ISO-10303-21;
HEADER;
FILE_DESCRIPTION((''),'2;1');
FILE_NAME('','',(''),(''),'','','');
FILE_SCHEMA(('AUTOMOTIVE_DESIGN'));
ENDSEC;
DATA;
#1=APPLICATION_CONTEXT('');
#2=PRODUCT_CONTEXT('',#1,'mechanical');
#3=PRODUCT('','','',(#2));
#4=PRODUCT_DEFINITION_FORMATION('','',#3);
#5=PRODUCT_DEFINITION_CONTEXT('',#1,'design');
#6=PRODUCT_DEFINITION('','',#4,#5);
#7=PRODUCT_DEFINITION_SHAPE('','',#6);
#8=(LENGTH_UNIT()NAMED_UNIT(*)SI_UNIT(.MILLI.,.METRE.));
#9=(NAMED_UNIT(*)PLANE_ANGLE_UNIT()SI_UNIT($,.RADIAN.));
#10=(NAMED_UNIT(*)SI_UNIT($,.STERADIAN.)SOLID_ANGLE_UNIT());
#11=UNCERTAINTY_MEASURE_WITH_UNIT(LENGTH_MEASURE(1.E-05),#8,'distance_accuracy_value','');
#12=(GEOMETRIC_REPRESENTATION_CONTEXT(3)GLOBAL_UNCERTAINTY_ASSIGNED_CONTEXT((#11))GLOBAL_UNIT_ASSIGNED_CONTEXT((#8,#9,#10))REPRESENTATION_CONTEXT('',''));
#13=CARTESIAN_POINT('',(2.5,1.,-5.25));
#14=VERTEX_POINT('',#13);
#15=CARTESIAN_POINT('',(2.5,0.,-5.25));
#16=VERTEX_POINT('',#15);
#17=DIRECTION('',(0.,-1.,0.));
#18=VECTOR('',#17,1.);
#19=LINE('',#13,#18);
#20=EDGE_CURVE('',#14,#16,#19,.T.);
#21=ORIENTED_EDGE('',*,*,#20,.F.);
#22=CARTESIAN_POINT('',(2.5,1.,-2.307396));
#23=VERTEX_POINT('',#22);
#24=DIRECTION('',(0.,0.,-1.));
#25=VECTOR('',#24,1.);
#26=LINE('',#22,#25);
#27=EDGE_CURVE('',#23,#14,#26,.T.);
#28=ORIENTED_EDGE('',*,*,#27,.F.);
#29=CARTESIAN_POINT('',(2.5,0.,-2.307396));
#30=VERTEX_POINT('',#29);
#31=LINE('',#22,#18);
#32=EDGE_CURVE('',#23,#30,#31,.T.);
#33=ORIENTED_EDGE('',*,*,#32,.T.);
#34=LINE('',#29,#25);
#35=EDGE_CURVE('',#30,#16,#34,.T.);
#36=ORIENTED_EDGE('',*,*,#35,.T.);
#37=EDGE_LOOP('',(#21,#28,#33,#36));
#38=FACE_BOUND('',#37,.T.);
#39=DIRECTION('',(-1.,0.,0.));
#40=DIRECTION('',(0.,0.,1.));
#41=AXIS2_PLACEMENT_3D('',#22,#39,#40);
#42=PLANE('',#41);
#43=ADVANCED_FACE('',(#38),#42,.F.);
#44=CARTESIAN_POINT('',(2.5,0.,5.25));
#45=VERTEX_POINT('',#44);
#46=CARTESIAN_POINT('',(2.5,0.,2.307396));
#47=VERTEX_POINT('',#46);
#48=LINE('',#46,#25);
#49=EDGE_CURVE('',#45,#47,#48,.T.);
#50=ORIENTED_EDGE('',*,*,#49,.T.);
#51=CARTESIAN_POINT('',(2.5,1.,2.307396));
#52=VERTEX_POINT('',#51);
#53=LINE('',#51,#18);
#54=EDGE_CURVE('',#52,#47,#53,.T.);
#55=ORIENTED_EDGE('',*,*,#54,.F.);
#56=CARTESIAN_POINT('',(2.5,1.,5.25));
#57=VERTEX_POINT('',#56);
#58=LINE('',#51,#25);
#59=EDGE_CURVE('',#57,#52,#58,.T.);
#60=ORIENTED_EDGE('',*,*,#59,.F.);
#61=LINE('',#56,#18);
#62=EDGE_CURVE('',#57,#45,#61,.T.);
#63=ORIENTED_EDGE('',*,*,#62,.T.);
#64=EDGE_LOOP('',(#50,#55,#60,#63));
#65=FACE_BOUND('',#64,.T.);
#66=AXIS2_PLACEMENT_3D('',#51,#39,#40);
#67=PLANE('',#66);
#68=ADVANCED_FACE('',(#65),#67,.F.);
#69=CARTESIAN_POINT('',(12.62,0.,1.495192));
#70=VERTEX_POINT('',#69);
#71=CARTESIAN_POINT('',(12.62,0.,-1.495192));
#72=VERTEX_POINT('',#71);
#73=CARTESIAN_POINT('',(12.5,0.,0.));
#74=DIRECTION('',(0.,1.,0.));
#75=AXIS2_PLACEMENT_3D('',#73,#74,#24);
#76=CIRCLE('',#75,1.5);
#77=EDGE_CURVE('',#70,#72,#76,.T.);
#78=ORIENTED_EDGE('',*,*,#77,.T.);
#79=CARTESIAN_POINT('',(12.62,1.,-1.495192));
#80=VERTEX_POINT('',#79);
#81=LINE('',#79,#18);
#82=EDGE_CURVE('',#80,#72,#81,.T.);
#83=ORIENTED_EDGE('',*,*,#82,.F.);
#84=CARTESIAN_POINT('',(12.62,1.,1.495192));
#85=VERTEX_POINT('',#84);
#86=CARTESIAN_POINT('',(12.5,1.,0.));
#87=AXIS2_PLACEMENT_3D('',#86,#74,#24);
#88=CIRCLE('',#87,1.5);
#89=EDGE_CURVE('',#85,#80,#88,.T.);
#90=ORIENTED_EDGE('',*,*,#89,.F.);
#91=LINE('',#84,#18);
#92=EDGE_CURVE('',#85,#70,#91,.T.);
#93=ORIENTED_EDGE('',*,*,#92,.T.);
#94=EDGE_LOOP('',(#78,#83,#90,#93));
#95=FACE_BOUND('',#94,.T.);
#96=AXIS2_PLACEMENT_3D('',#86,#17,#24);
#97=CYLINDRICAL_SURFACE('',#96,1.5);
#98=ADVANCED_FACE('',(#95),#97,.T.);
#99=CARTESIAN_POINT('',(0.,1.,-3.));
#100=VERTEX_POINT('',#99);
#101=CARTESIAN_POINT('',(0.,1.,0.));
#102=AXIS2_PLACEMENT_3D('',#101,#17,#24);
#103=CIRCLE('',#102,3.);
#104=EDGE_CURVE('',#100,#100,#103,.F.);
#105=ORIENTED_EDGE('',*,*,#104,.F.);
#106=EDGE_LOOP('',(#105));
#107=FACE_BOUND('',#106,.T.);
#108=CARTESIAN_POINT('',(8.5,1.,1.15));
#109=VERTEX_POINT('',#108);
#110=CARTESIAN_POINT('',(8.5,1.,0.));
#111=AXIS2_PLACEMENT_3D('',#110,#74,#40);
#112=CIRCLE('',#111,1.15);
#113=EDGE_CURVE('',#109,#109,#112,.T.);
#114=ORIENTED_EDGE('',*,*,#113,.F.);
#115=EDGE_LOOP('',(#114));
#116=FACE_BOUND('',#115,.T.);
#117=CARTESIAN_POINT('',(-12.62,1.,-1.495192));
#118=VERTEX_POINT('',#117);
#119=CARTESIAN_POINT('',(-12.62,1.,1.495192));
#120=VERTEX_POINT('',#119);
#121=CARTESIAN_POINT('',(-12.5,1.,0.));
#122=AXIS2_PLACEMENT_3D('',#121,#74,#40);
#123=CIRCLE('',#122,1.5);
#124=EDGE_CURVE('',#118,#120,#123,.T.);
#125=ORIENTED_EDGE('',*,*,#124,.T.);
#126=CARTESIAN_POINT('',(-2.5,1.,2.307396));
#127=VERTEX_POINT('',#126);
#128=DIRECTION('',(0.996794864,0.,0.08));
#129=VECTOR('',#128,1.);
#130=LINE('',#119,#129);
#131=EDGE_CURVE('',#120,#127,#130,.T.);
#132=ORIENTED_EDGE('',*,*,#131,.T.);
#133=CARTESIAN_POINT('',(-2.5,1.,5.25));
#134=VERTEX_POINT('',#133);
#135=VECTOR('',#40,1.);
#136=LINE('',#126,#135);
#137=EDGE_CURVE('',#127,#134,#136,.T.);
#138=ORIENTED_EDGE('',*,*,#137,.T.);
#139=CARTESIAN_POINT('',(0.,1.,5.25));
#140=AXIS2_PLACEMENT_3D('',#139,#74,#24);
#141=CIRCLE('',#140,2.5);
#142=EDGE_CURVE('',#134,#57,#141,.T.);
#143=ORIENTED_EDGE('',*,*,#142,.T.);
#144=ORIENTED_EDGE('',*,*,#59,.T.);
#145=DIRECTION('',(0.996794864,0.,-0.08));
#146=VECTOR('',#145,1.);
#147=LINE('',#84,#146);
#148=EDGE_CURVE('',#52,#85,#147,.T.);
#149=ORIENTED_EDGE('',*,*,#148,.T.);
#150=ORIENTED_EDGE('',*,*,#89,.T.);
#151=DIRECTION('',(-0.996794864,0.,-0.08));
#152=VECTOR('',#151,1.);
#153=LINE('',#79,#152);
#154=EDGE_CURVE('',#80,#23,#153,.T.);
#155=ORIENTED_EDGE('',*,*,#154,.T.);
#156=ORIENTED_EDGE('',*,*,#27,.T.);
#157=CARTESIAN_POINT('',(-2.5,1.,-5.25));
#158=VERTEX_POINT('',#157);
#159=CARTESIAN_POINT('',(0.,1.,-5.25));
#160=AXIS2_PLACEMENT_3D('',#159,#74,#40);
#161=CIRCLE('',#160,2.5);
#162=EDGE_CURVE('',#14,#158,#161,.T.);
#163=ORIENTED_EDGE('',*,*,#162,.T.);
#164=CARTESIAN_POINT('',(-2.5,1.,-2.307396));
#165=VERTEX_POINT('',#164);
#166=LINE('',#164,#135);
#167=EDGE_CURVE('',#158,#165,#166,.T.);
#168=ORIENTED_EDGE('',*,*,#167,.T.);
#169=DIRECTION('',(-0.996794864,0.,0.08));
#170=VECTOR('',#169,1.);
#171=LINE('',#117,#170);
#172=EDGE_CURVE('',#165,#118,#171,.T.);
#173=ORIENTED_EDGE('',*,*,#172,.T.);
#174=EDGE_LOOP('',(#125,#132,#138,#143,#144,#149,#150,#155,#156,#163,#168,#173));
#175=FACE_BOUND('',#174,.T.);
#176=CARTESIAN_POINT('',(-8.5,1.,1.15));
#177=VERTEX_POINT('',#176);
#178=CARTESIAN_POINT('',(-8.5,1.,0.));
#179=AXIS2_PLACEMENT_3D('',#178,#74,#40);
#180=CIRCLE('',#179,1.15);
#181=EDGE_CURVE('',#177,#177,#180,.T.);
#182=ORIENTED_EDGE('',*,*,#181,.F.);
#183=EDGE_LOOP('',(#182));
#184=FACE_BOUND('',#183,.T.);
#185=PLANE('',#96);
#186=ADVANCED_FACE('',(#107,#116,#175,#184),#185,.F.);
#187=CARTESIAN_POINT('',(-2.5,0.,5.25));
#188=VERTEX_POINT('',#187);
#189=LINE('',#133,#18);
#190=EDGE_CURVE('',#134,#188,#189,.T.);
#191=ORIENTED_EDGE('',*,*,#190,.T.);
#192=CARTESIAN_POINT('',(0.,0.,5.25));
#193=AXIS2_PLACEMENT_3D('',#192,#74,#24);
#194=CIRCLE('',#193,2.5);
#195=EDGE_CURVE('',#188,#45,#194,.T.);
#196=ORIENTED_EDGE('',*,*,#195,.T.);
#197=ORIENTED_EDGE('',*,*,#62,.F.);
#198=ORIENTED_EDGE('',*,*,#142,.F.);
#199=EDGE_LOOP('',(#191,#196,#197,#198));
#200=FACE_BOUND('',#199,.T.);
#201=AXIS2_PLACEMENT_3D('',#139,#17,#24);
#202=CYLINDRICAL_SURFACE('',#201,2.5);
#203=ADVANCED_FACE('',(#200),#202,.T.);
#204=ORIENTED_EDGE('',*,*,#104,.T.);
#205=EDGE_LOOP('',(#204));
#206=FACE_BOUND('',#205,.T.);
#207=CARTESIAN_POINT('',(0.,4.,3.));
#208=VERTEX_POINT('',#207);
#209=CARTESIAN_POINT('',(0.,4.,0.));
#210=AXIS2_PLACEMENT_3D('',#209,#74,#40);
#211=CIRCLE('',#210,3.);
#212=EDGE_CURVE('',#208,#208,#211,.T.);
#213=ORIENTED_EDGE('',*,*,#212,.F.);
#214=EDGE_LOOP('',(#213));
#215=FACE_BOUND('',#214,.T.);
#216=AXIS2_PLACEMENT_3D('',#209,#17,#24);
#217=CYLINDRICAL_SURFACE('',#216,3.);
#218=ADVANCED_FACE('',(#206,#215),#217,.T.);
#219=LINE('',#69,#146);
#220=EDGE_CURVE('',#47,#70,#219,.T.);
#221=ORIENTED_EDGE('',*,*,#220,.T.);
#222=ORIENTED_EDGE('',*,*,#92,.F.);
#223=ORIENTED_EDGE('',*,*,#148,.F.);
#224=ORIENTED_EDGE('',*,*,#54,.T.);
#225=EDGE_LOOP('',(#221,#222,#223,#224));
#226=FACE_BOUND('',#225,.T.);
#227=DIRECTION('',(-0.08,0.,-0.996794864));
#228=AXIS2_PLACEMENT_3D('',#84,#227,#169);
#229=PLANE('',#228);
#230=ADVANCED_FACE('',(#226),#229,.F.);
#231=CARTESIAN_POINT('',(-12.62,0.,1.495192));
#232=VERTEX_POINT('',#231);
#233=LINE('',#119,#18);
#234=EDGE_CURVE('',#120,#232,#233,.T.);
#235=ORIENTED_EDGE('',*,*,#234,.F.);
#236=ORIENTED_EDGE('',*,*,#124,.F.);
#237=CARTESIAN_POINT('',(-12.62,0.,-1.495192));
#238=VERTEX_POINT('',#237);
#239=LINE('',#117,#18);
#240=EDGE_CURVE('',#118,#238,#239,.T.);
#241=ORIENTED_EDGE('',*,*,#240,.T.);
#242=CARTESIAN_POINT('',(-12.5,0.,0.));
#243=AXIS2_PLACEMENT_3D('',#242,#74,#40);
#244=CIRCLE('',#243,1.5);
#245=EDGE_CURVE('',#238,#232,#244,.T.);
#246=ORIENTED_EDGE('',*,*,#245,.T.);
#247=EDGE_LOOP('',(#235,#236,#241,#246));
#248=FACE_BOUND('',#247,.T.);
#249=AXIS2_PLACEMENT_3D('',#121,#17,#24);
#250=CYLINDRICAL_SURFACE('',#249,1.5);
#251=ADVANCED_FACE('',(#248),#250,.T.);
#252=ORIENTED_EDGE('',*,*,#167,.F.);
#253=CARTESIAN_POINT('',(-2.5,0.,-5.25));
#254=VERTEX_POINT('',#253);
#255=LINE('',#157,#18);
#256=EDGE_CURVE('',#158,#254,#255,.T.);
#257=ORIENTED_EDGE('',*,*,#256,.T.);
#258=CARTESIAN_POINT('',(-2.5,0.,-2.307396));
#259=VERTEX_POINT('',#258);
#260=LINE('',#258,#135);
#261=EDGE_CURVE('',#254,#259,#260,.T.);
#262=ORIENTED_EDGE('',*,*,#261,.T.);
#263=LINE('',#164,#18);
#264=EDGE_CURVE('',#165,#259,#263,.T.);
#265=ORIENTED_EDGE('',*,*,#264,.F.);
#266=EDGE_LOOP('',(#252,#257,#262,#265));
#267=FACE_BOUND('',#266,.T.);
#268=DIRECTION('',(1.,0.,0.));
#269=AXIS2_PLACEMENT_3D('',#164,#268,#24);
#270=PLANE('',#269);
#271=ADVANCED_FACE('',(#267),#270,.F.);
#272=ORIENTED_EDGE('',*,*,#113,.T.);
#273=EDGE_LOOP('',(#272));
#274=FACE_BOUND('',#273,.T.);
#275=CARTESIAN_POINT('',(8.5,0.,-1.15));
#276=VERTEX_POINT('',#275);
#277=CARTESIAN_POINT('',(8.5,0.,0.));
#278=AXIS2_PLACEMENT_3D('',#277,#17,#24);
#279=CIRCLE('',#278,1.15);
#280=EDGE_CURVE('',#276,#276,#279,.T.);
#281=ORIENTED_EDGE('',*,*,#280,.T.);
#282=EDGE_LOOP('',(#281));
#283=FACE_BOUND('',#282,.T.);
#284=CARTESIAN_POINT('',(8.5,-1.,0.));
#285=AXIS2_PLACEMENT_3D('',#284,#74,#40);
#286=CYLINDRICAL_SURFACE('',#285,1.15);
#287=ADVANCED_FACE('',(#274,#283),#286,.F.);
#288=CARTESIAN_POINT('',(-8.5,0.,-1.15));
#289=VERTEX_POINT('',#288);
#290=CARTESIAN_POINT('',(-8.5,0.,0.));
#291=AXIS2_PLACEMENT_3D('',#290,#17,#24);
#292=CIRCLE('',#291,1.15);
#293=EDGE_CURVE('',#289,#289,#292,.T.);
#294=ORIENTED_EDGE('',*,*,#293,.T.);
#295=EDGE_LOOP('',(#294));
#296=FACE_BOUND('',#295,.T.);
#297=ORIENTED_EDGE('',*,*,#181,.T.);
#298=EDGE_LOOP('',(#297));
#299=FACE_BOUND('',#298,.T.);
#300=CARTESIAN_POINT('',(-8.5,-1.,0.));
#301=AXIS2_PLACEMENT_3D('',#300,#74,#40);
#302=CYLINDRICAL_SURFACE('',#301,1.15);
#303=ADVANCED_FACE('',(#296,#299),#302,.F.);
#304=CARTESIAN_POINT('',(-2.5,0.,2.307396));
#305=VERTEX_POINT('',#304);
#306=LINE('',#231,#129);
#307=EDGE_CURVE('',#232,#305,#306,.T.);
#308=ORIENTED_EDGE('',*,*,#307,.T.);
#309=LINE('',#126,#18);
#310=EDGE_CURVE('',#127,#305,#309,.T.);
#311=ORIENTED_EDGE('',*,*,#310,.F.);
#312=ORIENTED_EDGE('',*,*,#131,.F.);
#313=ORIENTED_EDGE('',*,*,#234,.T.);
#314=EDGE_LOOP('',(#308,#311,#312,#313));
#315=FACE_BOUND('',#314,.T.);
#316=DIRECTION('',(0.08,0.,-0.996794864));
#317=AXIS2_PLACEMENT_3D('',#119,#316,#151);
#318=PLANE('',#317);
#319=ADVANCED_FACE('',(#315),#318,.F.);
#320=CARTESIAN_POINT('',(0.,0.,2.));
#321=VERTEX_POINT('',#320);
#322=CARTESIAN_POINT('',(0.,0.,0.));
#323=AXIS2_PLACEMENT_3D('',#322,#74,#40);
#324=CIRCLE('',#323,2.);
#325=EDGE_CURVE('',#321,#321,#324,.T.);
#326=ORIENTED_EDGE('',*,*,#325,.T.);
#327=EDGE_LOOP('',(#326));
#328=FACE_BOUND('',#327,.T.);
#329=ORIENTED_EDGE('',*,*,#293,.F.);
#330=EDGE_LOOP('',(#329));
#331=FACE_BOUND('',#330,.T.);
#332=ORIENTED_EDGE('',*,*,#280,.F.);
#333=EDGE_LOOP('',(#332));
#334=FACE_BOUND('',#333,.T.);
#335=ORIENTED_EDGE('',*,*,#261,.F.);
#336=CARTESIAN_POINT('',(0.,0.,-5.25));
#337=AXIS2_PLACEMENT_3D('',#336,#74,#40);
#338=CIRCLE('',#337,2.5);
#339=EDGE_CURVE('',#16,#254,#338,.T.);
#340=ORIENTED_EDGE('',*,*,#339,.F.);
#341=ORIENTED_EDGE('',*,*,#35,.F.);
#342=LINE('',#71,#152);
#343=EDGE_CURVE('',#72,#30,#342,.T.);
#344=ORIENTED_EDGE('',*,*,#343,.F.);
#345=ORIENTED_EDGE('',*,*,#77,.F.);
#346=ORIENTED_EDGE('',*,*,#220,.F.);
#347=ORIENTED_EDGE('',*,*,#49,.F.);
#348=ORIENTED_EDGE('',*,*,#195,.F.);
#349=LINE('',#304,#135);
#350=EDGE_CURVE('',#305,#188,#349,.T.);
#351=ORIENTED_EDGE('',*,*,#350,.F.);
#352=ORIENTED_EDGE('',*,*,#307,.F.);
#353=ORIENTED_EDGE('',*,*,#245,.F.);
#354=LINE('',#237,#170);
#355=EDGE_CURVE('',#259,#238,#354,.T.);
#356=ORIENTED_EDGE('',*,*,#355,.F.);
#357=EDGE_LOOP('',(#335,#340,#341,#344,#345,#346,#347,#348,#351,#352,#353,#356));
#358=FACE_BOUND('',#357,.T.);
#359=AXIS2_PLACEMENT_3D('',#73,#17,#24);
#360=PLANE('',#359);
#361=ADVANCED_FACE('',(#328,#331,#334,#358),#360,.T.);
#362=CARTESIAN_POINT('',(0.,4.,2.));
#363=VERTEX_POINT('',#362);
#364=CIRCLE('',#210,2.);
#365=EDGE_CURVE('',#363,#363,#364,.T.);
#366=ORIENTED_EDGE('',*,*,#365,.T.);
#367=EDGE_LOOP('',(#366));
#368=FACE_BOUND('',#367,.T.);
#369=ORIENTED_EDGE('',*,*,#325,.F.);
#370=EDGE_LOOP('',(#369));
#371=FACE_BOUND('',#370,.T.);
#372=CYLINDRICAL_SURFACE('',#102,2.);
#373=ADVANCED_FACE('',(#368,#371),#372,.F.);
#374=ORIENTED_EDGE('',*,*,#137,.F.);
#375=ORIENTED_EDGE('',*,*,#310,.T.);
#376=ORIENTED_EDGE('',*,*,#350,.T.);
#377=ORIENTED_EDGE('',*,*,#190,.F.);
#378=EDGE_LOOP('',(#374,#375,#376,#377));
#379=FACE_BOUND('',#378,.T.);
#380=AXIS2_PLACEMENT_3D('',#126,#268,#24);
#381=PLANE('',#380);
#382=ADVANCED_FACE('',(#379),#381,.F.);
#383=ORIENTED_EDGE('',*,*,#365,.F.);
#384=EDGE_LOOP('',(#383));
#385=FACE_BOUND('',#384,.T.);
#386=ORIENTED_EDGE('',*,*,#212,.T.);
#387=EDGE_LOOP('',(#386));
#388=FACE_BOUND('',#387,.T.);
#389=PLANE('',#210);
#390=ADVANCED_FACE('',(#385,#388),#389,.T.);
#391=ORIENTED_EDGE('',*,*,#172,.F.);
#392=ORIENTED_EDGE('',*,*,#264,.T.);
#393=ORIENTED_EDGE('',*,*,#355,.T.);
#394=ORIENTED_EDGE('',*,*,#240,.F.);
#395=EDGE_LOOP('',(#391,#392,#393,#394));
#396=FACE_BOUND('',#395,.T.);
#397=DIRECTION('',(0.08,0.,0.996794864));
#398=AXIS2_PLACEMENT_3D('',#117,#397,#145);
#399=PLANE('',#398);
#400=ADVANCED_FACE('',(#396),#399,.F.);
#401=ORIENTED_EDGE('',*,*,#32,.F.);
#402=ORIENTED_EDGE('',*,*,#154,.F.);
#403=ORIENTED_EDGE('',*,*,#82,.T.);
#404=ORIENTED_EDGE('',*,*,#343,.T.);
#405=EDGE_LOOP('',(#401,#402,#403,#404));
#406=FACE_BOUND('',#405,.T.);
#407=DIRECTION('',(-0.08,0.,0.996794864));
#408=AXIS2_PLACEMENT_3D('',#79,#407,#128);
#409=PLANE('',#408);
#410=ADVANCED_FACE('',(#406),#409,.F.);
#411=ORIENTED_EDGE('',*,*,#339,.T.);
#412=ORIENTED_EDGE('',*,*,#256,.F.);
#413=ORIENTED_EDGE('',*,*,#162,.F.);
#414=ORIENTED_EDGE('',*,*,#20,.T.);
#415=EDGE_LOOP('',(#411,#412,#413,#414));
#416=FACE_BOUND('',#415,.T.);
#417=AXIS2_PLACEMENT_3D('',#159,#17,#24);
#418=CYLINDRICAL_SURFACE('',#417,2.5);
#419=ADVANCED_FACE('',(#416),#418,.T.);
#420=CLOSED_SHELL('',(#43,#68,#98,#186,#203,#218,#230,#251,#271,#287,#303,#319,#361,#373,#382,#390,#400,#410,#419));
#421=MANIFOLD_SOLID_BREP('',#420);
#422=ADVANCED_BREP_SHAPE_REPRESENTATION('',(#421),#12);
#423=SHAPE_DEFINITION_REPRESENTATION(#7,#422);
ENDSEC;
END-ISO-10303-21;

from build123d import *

# Parameters (mm, degrees)
SKICA1_R                 = 2
P_IDAT_VYSUNUT_M1_DEPTH  = 1
SKICA2_R                 = 1.15
ODEBRAT_VYSUNUT_M1_DEPTH = 2
SKICA3_R                 = 3
SKICA3_R_2               = 2
P_IDAT_VYSUNUT_M2_DEPTH  = 3


with BuildPart() as part:
    # Skica1 → Přidat vysunutím1 (new body)
    with BuildSketch(Plane(origin=(0, 0, 0), x_dir=(1, 0, 0), z_dir=(0, 1, 0))):
        with BuildLine():
            Line((-12.62, 1.495192295), (-2.5, 2.307395517))
            Line((-2.5, 2.307395517), (-2.5, 5.25))
            ThreePointArc((-2.5, 5.25), (0, 7.75), (2.5, 5.25))
            Line((2.5, 5.25), (2.5, 2.307395517))
            Line((2.5, 2.307395517), (12.62, 1.495192295))
            ThreePointArc((12.62, 1.495192295), (14, 0), (12.62, -1.495192295))
            Line((12.62, -1.495192295), (2.5, -2.307395517))
            Line((2.5, -2.307395517), (2.5, -5.25))
            ThreePointArc((2.5, -5.25), (0, -7.75), (-2.5, -5.25))
            Line((-2.5, -5.25), (-2.5, -2.307395517))
            Line((-2.5, -2.307395517), (-12.62, -1.495192295))
            ThreePointArc((-12.62, -1.495192295), (-14, 0), (-12.62, 1.495192295))
        make_face()
        Circle(SKICA1_R, mode=Mode.SUBTRACT)
    extrude(amount=P_IDAT_VYSUNUT_M1_DEPTH)

    # Skica2 → Odebrat vysunutím1 (cut)
    with BuildSketch(Plane(origin=(0, 1, 0), x_dir=(1, 0, 0), z_dir=(0, 1, 0))):
        with Locations((-8.5, 0)):
            Circle(SKICA2_R)
        with Locations((8.5, 0)):
            Circle(SKICA2_R)
    extrude(amount=-ODEBRAT_VYSUNUT_M1_DEPTH, mode=Mode.SUBTRACT)

    # Skica3 → Přidat vysunutím2 (add)
    with BuildSketch(Plane(origin=(0, 1, 0), x_dir=(1, 0, 0), z_dir=(0, 1, 0))):
        Circle(SKICA3_R)
        Circle(SKICA3_R_2, mode=Mode.SUBTRACT)
    extrude(amount=P_IDAT_VYSUNUT_M2_DEPTH)


solid = part.part
